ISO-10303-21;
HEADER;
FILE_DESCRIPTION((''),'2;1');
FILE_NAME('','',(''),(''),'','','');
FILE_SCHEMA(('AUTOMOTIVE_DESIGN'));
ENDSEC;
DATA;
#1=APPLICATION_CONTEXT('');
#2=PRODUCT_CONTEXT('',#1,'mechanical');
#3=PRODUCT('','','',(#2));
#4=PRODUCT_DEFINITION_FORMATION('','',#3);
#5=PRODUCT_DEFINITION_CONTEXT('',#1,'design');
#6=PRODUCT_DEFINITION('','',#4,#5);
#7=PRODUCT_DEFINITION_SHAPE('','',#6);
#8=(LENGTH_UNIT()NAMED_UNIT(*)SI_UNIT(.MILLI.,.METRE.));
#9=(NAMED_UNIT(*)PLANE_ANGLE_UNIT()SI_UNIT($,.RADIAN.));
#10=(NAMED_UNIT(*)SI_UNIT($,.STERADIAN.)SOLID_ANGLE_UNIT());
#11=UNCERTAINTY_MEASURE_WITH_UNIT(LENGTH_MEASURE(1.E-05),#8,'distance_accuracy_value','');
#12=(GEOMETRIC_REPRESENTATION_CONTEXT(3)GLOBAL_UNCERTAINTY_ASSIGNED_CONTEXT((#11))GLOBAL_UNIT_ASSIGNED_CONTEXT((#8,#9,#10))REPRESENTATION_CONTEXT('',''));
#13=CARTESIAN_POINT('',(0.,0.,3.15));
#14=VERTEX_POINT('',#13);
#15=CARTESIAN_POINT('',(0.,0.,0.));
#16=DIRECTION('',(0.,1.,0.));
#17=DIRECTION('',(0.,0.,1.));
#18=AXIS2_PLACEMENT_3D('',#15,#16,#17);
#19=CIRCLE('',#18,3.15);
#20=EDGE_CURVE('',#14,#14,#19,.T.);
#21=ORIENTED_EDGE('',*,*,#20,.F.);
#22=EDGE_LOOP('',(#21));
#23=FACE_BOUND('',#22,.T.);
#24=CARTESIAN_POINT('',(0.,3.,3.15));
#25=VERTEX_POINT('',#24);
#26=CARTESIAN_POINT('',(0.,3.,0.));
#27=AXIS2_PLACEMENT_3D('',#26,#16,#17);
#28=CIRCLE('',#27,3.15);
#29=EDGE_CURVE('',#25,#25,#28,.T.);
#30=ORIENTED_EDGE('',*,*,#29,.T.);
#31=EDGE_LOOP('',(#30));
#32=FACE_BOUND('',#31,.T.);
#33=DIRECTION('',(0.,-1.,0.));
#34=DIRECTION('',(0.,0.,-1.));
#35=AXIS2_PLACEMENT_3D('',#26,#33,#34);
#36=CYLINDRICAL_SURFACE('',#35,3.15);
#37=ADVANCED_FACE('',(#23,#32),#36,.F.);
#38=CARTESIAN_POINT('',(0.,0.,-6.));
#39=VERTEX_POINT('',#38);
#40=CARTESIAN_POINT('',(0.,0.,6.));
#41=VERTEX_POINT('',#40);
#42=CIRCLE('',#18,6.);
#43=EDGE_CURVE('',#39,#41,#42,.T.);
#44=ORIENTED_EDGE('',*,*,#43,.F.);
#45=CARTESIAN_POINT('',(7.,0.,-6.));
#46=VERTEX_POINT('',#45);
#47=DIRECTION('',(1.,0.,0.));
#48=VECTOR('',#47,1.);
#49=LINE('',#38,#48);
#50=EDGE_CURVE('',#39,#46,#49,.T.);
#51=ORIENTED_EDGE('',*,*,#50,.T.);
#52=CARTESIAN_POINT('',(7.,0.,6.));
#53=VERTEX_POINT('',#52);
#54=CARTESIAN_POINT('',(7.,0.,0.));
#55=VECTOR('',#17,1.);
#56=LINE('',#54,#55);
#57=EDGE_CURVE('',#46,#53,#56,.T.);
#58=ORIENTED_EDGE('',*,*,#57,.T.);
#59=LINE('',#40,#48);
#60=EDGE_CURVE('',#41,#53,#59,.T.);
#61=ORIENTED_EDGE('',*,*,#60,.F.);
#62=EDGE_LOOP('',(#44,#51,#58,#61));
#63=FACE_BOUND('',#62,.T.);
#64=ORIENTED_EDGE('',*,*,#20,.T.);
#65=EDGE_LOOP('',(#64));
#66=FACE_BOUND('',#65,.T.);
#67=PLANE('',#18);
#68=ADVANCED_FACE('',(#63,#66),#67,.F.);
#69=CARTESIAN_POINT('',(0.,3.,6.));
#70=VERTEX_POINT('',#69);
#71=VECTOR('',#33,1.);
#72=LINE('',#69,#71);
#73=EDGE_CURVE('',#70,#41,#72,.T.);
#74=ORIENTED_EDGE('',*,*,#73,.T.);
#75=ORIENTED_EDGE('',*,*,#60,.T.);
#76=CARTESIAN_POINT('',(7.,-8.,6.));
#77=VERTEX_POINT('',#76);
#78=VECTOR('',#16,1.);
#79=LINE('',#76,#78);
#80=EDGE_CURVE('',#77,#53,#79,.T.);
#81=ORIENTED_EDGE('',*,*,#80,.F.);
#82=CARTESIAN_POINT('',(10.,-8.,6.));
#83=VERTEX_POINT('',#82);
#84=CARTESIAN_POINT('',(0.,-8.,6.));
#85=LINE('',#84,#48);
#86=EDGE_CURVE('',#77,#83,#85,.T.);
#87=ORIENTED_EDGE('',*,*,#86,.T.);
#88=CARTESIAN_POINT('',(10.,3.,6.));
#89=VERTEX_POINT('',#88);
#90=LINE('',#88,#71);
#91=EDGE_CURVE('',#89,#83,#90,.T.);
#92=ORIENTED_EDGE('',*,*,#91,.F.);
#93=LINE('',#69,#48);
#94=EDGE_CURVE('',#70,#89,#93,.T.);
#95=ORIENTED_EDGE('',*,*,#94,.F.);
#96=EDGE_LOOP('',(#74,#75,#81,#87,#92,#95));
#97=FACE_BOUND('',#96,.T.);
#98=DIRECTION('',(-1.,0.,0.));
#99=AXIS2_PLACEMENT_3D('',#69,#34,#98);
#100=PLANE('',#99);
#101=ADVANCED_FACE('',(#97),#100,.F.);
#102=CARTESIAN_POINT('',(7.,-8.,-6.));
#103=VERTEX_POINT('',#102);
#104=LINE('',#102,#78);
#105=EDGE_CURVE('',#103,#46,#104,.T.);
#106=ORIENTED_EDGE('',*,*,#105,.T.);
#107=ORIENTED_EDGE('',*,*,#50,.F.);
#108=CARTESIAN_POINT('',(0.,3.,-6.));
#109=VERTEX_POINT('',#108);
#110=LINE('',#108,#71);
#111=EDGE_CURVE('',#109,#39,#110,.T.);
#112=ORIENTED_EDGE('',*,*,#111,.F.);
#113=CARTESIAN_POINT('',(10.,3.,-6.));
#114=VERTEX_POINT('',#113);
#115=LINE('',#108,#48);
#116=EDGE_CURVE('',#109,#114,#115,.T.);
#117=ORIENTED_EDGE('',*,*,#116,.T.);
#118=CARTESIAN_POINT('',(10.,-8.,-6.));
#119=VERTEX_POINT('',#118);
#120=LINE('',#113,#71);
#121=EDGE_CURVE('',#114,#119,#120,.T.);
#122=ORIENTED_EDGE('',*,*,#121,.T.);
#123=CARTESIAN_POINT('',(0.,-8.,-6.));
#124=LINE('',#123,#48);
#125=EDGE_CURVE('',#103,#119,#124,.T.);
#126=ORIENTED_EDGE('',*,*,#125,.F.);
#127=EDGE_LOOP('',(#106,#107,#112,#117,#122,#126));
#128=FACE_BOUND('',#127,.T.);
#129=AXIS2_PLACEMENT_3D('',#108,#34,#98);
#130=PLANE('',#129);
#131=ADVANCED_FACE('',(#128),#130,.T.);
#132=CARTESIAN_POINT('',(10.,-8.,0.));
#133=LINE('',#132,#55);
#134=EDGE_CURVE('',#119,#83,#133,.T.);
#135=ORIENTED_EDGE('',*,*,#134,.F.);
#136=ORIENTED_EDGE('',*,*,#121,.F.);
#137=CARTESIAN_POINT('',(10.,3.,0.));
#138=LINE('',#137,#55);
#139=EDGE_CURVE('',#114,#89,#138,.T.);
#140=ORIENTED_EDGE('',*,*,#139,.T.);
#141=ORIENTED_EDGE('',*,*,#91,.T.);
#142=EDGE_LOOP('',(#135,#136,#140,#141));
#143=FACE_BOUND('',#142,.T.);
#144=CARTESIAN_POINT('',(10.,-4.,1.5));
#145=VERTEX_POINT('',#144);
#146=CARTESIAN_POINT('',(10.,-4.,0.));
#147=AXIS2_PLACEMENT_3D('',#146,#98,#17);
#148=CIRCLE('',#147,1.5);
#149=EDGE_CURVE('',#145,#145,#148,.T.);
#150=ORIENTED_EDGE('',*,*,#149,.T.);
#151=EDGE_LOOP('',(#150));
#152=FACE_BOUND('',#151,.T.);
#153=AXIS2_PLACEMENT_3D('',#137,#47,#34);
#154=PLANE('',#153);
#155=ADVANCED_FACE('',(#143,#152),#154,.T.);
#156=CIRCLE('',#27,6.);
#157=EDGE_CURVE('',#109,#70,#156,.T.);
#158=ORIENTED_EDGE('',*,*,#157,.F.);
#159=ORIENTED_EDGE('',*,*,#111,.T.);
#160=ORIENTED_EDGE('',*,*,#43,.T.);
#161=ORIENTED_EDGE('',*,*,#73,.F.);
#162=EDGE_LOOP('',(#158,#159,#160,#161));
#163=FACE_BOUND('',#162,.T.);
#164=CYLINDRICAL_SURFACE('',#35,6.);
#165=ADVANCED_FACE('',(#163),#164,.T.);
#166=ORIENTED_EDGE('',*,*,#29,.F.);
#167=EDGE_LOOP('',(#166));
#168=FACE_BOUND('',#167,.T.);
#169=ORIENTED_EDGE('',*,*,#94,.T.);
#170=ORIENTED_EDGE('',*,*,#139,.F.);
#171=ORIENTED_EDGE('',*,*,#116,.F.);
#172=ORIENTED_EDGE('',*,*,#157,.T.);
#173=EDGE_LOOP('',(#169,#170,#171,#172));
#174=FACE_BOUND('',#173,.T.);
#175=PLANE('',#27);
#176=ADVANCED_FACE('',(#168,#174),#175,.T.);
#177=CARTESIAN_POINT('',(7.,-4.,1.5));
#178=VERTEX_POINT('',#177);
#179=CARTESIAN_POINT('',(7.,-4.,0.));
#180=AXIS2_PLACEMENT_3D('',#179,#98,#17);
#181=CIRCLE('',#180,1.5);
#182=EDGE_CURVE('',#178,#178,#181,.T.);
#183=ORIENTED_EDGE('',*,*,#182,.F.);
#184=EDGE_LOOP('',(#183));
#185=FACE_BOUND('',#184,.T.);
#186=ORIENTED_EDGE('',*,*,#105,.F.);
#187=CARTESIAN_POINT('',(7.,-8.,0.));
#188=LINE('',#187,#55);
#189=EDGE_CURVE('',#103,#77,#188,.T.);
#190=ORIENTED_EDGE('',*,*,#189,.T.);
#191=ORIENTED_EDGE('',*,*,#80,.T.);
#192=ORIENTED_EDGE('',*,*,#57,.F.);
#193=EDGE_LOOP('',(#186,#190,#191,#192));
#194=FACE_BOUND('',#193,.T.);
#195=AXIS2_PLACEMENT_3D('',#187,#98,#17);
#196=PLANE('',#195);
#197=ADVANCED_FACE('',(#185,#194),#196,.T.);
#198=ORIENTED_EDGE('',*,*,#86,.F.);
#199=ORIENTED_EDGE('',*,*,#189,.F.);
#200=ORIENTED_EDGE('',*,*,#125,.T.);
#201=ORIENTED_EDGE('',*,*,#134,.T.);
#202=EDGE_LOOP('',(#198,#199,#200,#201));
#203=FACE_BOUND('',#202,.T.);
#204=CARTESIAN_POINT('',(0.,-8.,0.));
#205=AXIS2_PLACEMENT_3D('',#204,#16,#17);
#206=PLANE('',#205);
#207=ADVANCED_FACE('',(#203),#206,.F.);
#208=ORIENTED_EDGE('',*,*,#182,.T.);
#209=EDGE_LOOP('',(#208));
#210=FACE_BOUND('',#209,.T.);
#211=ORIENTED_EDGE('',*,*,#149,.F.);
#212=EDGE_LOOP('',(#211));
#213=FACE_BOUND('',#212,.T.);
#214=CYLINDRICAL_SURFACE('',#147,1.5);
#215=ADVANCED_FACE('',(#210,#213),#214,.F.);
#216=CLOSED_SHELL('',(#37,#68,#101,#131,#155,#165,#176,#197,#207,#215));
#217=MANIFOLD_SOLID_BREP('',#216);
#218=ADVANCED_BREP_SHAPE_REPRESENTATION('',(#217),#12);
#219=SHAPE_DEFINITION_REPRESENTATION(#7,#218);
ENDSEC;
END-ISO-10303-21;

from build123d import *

# Parameters (mm, degrees)
SKETCH2_R           = 3.15
BOSS_EXTRUDE1_DEPTH = 3
SKETCH2_3_W         = 3
SKETCH2_3_H         = 12
BOSS_EXTRUDE2_DEPTH = 8
SKETCH4_R           = 1.5
CUT_EXTRUDE1_DEPTH  = 17.401219467


with BuildPart() as part:
    # Sketch2 → Boss-Extrude1 (new body)
    with BuildSketch(Plane(origin=(0, 0, 0), x_dir=(1, 0, 0), z_dir=(0, 1, 0))):
        with BuildLine():
            Line((0, -6), (10, -6))
            Line((10, -6), (10, 6))
            Line((10, 6), (0, 6))
            ThreePointArc((0, 6), (-6, 0), (0, -6))
        make_face()
        Circle(SKETCH2_R, mode=Mode.SUBTRACT)
    extrude(amount=BOSS_EXTRUDE1_DEPTH)

    # Sketch2<3> → Boss-Extrude2 (add)
    with BuildSketch(Plane(origin=(0, 0, 0), x_dir=(1, 0, 0), z_dir=(0, 1, 0))):
        with Locations((8.5, 0)):
            Rectangle(SKETCH2_3_W, SKETCH2_3_H)
    extrude(amount=-BOSS_EXTRUDE2_DEPTH)

    # Sketch4 → Cut-Extrude1 (cut, through all)
    with BuildSketch(Plane.ZY.offset(-7)):
        with Locations((0, -4)):
            Circle(SKETCH4_R)
    extrude(amount=-CUT_EXTRUDE1_DEPTH, mode=Mode.SUBTRACT)


solid = part.part
